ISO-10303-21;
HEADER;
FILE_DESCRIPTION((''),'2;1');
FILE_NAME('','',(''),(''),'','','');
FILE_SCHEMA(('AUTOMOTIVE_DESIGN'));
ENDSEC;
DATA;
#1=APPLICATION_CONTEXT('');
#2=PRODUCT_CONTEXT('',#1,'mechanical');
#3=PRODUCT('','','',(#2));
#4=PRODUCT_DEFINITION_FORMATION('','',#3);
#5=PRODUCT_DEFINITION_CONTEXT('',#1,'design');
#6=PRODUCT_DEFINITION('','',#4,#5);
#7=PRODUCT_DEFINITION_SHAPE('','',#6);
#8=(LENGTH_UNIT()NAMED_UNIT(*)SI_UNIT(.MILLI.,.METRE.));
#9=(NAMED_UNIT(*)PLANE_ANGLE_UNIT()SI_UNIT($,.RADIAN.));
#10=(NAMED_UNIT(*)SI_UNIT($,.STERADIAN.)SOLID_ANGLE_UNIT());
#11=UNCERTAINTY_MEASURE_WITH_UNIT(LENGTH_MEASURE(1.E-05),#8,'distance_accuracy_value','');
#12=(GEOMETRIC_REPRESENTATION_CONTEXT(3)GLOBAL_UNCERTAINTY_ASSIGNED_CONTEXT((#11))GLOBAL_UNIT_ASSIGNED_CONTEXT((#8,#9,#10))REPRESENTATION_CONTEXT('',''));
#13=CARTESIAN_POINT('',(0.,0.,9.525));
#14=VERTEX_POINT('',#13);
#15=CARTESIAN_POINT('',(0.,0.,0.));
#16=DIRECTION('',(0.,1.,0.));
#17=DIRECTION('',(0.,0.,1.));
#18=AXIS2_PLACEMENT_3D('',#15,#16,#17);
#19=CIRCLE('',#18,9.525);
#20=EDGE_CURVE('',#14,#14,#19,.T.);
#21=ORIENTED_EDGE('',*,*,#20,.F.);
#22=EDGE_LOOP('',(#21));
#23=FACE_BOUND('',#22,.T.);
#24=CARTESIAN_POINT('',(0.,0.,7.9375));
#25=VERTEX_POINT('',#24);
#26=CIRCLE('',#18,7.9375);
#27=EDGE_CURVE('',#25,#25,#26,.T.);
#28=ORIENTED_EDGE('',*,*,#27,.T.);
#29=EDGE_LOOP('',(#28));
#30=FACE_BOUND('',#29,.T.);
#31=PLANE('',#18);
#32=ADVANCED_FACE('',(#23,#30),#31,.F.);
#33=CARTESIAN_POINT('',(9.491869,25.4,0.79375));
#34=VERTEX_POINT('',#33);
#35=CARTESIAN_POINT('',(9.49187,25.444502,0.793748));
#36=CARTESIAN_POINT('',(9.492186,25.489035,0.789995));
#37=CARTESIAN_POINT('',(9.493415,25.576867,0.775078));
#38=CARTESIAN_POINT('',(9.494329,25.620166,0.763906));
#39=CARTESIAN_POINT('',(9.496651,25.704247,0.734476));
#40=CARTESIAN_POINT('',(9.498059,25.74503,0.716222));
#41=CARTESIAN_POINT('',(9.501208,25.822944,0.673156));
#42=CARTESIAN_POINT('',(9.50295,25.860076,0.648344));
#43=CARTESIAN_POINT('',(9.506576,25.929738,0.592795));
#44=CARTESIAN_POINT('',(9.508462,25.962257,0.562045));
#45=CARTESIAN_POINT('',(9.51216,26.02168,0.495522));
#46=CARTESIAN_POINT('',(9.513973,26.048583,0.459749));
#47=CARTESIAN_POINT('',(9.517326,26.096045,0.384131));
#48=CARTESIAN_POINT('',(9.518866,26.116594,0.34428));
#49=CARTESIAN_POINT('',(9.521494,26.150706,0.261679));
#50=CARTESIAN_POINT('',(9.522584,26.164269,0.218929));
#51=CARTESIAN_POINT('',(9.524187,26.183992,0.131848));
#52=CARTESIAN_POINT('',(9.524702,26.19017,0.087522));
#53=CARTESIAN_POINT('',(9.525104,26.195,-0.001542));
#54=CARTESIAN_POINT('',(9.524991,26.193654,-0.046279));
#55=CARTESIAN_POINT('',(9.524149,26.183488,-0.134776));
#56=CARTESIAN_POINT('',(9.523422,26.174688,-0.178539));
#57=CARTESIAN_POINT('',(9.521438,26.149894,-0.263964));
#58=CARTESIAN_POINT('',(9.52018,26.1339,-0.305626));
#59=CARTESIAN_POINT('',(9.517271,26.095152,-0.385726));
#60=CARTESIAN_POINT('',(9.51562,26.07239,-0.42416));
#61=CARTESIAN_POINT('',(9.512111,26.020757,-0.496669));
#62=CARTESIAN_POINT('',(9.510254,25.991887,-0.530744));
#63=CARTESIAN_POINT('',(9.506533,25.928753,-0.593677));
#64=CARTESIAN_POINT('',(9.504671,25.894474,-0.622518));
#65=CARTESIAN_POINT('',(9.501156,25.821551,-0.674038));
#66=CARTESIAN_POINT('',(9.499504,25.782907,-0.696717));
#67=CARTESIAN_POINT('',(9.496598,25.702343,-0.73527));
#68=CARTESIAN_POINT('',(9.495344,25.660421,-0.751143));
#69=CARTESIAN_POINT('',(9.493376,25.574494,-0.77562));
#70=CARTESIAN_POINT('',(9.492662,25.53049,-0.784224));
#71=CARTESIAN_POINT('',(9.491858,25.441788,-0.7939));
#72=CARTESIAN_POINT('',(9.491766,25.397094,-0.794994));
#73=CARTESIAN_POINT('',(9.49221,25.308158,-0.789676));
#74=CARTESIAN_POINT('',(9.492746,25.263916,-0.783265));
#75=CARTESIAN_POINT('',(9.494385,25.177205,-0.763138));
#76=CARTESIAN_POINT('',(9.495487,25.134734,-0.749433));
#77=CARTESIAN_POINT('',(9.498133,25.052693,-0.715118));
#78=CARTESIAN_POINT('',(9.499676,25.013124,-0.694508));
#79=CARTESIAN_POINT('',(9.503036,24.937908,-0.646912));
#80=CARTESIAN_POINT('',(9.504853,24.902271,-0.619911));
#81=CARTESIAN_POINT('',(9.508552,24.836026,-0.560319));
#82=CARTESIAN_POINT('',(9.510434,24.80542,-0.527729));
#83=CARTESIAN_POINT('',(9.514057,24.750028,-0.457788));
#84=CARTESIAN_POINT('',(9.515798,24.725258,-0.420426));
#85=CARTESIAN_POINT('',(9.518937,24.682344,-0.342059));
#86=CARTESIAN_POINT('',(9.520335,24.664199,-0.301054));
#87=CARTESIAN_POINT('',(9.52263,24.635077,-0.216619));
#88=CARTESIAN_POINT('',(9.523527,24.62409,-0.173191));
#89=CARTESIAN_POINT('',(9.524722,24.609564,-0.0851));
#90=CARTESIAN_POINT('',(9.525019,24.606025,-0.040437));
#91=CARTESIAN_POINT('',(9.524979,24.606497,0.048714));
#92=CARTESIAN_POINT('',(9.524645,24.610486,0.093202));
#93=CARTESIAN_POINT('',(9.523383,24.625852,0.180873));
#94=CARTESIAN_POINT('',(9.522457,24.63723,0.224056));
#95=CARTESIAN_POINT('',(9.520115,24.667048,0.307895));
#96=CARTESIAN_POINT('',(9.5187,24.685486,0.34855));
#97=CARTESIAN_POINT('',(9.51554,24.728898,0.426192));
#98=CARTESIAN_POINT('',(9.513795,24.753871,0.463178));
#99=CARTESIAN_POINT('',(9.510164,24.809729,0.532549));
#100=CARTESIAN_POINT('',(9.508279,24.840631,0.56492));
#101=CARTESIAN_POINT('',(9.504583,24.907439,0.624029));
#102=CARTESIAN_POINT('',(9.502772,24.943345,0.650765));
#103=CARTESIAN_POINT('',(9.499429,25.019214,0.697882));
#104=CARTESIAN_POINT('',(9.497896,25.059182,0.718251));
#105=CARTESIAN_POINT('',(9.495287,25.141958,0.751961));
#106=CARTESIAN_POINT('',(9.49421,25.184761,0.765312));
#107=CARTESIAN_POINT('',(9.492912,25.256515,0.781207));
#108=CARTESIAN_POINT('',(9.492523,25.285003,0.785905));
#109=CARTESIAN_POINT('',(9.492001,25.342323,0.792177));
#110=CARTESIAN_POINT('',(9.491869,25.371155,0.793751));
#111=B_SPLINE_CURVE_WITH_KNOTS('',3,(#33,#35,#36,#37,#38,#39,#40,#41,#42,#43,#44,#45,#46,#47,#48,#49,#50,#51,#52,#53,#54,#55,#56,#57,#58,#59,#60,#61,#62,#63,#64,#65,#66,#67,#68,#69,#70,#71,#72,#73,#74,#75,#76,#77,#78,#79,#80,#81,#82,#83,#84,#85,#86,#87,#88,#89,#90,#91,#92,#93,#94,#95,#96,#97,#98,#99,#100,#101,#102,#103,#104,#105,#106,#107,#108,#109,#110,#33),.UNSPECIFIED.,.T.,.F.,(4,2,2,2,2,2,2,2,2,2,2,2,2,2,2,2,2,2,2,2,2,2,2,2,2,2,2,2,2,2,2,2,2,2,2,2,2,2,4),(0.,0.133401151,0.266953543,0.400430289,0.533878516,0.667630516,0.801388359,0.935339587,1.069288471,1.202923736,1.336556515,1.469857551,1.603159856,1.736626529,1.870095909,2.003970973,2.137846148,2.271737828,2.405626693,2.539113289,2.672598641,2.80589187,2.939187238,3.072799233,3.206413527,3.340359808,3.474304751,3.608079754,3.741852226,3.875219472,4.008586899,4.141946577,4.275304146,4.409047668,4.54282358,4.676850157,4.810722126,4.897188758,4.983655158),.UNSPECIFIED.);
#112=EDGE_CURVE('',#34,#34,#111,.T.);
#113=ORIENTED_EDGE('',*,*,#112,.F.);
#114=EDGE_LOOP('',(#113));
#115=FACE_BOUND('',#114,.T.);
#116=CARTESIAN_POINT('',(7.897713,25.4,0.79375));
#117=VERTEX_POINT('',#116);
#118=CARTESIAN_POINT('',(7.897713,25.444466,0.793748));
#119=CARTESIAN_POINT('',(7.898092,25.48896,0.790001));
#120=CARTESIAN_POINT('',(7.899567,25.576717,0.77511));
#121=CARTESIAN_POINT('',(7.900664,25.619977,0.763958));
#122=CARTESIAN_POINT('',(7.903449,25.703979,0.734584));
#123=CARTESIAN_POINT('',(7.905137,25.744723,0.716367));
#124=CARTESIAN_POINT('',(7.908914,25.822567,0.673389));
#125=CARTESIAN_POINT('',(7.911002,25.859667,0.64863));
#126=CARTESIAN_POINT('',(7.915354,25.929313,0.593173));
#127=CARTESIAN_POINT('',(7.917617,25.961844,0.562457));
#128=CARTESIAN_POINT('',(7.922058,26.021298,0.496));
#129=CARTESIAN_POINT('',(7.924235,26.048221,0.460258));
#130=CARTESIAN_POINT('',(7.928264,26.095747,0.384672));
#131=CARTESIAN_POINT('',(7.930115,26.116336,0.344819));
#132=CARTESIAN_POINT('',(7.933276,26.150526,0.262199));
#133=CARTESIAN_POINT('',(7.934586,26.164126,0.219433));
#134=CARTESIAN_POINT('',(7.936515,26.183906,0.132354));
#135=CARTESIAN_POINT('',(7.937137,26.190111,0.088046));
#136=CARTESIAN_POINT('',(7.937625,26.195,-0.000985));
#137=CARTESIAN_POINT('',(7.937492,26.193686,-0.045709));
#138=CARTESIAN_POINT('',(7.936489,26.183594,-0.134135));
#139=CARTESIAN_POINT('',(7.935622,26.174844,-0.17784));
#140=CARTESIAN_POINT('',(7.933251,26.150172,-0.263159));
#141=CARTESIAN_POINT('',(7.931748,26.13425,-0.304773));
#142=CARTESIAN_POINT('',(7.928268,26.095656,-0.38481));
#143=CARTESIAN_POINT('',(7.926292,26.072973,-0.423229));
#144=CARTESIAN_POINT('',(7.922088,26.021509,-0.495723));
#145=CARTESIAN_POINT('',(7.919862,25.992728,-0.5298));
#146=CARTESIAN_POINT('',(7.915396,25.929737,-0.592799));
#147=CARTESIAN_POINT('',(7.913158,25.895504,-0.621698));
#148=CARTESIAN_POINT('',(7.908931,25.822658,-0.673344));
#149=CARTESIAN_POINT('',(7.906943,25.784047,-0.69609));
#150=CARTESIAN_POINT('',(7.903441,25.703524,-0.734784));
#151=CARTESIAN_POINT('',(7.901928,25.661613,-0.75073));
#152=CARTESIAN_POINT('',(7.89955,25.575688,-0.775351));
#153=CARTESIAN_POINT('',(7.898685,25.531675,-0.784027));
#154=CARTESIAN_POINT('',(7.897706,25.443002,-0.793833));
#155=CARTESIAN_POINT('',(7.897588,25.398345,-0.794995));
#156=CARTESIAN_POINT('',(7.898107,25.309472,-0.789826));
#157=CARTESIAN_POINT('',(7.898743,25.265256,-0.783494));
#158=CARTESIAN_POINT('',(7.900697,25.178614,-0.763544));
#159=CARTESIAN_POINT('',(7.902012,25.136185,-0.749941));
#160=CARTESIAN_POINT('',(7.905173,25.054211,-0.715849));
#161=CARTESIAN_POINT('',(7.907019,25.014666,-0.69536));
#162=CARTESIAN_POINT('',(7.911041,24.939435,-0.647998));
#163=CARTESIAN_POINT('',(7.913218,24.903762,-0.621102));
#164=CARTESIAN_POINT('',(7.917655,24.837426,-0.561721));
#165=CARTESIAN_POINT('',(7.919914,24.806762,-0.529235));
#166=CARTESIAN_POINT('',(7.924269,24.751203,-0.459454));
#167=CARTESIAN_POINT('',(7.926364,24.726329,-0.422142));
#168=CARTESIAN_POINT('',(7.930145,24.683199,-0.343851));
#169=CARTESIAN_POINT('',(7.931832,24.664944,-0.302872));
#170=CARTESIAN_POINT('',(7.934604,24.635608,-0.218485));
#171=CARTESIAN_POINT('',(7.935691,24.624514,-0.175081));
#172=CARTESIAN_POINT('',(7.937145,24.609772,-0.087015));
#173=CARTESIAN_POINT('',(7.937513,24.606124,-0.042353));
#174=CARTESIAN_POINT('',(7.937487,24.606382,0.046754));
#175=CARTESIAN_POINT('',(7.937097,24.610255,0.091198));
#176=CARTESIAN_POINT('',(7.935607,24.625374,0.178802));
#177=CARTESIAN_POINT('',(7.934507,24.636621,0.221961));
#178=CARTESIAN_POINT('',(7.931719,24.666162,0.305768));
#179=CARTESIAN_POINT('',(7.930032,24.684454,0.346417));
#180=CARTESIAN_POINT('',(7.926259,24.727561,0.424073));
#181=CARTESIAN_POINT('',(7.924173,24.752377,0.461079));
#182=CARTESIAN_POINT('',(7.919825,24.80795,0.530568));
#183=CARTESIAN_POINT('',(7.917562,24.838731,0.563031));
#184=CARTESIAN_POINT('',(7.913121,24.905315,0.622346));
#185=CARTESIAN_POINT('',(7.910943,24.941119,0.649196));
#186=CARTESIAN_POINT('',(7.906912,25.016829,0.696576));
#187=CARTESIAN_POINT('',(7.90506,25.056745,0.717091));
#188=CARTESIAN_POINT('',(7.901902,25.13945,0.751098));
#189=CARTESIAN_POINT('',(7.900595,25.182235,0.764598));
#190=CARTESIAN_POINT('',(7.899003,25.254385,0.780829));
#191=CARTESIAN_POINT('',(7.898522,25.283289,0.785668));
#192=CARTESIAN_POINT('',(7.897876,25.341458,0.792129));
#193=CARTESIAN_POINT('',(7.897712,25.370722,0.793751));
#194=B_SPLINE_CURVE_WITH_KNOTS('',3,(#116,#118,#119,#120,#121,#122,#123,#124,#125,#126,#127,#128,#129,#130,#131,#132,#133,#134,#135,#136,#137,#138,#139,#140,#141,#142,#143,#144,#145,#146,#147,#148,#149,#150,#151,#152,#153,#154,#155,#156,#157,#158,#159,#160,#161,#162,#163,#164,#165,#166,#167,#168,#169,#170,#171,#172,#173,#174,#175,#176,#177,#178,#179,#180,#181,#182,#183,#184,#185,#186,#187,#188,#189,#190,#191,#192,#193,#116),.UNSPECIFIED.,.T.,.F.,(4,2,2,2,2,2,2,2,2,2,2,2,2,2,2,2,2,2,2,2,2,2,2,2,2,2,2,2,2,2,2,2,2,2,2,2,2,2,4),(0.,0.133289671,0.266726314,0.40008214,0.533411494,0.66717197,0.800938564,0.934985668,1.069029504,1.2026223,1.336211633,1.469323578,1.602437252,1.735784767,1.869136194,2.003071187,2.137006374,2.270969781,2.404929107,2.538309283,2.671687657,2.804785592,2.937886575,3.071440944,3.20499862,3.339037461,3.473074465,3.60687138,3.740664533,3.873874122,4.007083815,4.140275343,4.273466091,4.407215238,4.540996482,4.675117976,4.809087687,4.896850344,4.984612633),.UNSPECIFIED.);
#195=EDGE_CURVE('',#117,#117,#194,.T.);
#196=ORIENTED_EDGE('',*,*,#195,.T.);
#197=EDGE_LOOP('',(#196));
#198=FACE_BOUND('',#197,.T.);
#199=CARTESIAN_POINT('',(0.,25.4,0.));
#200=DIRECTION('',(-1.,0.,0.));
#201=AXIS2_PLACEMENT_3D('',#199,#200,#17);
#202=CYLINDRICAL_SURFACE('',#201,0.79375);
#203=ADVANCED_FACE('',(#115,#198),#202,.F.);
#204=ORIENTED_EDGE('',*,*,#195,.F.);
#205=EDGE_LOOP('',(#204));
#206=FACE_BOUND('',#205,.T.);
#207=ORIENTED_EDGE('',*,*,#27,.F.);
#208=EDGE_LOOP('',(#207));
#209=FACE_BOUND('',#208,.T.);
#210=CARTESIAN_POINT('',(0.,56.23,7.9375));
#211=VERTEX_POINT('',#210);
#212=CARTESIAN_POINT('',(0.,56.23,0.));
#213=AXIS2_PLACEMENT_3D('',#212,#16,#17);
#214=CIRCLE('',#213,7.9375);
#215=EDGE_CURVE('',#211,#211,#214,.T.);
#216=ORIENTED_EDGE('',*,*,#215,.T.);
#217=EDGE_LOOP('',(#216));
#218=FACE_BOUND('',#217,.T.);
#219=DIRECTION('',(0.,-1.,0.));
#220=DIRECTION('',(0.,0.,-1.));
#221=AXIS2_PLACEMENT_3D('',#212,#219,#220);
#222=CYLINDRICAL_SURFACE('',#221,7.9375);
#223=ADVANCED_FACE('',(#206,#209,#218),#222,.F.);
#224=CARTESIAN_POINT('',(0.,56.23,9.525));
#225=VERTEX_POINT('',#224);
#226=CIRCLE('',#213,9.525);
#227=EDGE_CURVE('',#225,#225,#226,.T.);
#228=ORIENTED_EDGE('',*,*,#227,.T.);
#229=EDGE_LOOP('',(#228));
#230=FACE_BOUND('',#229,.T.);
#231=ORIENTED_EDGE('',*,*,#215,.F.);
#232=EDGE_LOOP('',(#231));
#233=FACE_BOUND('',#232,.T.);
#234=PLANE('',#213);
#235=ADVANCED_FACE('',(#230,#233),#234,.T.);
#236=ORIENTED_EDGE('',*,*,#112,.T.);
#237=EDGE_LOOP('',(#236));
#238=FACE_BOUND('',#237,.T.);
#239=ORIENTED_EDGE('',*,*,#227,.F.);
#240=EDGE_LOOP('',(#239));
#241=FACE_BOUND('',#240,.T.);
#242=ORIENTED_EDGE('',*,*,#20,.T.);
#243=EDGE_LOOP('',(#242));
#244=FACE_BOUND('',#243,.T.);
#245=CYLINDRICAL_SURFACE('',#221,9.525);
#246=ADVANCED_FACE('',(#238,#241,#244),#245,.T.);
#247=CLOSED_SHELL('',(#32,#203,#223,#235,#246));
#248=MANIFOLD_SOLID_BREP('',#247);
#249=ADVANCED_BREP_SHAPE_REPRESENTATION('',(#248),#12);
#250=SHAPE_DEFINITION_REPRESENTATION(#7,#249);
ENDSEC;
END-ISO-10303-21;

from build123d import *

# Parameters (mm, degrees)
SKETCH1_R      = 9.525
SKETCH1_R_2    = 7.9375
EXTRUDE1_DEPTH = 56.229999986


with BuildPart() as part:
    # Sketch1 → Extrude1 (new body)
    with BuildSketch(Plane(origin=(0, 0, 0), x_dir=(1, 0, 0), z_dir=(0, 1, 0))):
        with Locations(Location((0, 0, 0), (0, 0, 270))):  # turned: the seam where the file's is
            Circle(SKETCH1_R)
        with Locations(Location((0, 0, 0), (0, 0, 270))):  # turned: the seam where the file's is
            Circle(SKETCH1_R_2, mode=Mode.SUBTRACT)
    extrude(amount=EXTRUDE1_DEPTH)

    # Sketch3 → 1/16 (0.0625) Diameter Hole1 (revolve, cut)
    with BuildSketch(Plane.ZX.offset(25.4)):
        Polygon((0, 0), (0, 10.001933116), (0.79375, 9.525), (0.79375, 0), align=None)
    revolve(axis=Axis((-6.35, 25.4, 0), (1, 0, 0)), mode=Mode.SUBTRACT)


solid = part.part
